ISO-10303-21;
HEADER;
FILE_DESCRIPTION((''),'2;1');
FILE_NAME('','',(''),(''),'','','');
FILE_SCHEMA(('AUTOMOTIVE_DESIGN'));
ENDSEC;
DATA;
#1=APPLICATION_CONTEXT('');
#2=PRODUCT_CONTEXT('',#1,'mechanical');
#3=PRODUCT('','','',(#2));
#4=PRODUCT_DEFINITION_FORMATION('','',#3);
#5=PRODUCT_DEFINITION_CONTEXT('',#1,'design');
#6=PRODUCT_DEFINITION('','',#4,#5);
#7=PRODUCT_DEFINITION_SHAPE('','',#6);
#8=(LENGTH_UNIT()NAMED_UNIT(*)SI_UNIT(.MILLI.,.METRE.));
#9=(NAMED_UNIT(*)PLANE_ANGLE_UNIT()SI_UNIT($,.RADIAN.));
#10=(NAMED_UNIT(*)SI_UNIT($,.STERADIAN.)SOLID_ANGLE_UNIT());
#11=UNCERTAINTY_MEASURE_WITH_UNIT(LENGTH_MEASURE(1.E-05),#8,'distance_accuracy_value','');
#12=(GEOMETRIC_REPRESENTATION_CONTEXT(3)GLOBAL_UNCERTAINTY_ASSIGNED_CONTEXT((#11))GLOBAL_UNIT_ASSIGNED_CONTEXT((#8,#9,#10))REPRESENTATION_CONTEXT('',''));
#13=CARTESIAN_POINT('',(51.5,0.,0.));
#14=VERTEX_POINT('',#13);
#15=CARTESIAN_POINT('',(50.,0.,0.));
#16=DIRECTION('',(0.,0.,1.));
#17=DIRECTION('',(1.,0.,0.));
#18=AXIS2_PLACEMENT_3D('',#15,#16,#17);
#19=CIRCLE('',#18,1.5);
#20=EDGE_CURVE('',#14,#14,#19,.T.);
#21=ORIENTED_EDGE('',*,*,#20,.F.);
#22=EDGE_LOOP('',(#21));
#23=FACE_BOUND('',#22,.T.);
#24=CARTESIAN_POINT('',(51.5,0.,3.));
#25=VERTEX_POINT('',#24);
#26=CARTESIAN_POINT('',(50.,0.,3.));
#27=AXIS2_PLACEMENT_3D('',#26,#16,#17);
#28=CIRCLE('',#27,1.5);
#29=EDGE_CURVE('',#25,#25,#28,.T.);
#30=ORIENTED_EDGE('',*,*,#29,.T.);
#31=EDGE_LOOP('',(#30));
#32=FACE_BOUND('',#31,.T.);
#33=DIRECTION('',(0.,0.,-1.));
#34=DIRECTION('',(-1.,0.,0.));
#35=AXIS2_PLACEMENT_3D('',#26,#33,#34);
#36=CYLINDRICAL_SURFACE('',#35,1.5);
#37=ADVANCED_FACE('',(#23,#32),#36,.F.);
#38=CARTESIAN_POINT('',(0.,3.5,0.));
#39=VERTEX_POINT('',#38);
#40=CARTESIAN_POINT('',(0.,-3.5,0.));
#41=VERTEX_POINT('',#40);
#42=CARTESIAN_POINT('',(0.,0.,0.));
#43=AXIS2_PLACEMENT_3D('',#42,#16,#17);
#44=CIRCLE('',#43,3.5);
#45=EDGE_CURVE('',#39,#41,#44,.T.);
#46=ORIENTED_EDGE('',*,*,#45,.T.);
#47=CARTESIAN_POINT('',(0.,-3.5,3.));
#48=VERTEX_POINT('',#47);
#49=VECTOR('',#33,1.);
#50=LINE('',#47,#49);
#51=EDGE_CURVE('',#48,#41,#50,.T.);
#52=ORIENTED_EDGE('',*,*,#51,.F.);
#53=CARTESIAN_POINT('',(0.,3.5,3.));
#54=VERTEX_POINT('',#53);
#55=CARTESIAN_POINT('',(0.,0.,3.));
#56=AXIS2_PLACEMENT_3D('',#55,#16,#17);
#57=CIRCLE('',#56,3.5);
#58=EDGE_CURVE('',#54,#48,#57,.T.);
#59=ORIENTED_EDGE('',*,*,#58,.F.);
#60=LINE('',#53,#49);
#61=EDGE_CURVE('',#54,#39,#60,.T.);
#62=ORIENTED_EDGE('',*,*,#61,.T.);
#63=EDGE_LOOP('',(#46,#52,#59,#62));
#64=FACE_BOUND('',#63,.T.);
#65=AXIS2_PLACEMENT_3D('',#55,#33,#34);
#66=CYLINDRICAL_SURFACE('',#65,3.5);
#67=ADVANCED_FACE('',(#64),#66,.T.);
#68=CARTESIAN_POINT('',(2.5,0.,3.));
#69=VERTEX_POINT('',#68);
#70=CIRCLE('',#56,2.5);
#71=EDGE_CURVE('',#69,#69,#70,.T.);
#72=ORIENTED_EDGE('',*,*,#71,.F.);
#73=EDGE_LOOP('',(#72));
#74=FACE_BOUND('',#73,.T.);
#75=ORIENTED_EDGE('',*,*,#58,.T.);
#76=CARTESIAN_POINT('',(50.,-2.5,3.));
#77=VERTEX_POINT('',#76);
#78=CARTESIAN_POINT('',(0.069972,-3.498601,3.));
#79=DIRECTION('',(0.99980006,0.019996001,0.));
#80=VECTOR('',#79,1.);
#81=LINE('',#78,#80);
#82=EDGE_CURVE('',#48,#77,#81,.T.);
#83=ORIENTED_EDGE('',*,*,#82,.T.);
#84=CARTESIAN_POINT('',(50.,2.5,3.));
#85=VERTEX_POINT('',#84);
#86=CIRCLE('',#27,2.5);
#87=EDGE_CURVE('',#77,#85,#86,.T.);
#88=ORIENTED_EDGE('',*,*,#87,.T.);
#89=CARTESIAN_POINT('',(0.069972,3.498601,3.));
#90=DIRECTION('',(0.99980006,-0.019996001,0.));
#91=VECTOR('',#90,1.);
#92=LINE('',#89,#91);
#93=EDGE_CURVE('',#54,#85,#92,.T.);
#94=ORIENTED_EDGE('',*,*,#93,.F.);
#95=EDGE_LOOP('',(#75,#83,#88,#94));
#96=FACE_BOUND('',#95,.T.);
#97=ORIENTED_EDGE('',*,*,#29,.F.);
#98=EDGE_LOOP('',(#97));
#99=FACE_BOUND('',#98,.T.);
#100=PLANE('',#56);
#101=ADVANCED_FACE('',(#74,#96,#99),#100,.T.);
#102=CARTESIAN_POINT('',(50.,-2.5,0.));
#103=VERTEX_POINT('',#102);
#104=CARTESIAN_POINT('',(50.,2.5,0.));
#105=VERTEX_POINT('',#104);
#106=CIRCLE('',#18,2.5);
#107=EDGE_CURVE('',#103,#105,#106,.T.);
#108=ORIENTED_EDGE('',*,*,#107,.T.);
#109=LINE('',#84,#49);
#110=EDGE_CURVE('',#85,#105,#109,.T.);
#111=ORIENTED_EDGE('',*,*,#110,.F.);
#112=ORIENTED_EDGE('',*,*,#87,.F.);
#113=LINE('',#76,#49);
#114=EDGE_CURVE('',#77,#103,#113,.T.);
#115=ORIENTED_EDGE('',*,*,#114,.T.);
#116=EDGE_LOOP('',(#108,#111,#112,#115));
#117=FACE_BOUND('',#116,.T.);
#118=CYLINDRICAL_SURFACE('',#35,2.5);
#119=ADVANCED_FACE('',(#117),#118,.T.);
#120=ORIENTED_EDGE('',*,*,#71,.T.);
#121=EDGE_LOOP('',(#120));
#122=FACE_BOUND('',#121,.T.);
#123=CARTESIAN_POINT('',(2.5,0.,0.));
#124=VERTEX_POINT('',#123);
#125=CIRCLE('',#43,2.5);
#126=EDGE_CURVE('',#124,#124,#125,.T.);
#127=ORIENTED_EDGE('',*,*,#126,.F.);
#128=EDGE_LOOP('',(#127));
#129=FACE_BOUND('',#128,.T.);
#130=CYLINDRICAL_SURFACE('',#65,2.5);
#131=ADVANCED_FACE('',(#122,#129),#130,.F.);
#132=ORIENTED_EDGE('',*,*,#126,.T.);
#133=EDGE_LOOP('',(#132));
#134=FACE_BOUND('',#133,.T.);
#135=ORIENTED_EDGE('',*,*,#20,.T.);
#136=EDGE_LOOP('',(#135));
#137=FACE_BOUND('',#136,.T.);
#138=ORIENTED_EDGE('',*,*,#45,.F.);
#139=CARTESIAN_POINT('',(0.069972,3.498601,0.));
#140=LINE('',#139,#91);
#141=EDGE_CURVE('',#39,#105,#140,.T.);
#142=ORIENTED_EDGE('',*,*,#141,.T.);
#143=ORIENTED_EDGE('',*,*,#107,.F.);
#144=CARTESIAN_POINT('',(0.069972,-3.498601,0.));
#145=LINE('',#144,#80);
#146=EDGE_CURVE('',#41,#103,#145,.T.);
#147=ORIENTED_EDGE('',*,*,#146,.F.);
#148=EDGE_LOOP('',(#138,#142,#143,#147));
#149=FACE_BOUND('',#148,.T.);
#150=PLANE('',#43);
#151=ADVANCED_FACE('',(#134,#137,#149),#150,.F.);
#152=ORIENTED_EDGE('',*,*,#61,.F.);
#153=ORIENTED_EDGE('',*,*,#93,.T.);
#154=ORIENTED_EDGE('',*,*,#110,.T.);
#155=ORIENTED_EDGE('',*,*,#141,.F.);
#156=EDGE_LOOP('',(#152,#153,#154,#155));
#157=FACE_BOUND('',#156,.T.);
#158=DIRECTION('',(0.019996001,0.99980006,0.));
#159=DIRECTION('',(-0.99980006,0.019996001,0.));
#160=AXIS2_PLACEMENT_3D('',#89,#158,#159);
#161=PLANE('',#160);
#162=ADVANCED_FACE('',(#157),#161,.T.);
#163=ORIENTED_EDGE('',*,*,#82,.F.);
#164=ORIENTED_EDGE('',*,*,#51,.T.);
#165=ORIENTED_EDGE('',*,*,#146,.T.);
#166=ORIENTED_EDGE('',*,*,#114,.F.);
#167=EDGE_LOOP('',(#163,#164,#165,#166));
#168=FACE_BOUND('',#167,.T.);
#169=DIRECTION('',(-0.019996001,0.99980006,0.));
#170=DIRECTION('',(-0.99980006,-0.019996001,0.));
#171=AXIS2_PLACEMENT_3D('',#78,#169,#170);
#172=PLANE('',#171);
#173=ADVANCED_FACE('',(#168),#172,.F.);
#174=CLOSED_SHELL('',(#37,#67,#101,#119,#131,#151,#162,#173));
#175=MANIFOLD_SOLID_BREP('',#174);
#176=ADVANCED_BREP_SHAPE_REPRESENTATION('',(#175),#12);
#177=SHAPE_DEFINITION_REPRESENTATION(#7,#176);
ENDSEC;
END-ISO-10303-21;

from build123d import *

# Parameters (mm, degrees)
SKETCH1_R           = 2.5
SKETCH1_R_2         = 1.5
BOSS_EXTRUDE1_DEPTH = 3


with BuildPart() as part:
    # Sketch1 → Boss-Extrude1 (new body)
    with BuildSketch(Plane.XY):
        with BuildLine():
            Line((0.139944022, 3.49720112), (0, 3.5))
            ThreePointArc((0, 3.5), (-3.5, 0), (0, -3.5))
            Line((0, -3.5), (0.139944022, -3.49720112))
            Line((0.139944022, -3.49720112), (50, -2.5))
            ThreePointArc((50, -2.5), (52.5, 0), (50, 2.5))
            Line((50, 2.5), (0.139944022, 3.49720112))
        make_face()
        Circle(SKETCH1_R, mode=Mode.SUBTRACT)
        with Locations((50, 0)):
            Circle(SKETCH1_R_2, mode=Mode.SUBTRACT)
    extrude(amount=BOSS_EXTRUDE1_DEPTH)


solid = part.part
